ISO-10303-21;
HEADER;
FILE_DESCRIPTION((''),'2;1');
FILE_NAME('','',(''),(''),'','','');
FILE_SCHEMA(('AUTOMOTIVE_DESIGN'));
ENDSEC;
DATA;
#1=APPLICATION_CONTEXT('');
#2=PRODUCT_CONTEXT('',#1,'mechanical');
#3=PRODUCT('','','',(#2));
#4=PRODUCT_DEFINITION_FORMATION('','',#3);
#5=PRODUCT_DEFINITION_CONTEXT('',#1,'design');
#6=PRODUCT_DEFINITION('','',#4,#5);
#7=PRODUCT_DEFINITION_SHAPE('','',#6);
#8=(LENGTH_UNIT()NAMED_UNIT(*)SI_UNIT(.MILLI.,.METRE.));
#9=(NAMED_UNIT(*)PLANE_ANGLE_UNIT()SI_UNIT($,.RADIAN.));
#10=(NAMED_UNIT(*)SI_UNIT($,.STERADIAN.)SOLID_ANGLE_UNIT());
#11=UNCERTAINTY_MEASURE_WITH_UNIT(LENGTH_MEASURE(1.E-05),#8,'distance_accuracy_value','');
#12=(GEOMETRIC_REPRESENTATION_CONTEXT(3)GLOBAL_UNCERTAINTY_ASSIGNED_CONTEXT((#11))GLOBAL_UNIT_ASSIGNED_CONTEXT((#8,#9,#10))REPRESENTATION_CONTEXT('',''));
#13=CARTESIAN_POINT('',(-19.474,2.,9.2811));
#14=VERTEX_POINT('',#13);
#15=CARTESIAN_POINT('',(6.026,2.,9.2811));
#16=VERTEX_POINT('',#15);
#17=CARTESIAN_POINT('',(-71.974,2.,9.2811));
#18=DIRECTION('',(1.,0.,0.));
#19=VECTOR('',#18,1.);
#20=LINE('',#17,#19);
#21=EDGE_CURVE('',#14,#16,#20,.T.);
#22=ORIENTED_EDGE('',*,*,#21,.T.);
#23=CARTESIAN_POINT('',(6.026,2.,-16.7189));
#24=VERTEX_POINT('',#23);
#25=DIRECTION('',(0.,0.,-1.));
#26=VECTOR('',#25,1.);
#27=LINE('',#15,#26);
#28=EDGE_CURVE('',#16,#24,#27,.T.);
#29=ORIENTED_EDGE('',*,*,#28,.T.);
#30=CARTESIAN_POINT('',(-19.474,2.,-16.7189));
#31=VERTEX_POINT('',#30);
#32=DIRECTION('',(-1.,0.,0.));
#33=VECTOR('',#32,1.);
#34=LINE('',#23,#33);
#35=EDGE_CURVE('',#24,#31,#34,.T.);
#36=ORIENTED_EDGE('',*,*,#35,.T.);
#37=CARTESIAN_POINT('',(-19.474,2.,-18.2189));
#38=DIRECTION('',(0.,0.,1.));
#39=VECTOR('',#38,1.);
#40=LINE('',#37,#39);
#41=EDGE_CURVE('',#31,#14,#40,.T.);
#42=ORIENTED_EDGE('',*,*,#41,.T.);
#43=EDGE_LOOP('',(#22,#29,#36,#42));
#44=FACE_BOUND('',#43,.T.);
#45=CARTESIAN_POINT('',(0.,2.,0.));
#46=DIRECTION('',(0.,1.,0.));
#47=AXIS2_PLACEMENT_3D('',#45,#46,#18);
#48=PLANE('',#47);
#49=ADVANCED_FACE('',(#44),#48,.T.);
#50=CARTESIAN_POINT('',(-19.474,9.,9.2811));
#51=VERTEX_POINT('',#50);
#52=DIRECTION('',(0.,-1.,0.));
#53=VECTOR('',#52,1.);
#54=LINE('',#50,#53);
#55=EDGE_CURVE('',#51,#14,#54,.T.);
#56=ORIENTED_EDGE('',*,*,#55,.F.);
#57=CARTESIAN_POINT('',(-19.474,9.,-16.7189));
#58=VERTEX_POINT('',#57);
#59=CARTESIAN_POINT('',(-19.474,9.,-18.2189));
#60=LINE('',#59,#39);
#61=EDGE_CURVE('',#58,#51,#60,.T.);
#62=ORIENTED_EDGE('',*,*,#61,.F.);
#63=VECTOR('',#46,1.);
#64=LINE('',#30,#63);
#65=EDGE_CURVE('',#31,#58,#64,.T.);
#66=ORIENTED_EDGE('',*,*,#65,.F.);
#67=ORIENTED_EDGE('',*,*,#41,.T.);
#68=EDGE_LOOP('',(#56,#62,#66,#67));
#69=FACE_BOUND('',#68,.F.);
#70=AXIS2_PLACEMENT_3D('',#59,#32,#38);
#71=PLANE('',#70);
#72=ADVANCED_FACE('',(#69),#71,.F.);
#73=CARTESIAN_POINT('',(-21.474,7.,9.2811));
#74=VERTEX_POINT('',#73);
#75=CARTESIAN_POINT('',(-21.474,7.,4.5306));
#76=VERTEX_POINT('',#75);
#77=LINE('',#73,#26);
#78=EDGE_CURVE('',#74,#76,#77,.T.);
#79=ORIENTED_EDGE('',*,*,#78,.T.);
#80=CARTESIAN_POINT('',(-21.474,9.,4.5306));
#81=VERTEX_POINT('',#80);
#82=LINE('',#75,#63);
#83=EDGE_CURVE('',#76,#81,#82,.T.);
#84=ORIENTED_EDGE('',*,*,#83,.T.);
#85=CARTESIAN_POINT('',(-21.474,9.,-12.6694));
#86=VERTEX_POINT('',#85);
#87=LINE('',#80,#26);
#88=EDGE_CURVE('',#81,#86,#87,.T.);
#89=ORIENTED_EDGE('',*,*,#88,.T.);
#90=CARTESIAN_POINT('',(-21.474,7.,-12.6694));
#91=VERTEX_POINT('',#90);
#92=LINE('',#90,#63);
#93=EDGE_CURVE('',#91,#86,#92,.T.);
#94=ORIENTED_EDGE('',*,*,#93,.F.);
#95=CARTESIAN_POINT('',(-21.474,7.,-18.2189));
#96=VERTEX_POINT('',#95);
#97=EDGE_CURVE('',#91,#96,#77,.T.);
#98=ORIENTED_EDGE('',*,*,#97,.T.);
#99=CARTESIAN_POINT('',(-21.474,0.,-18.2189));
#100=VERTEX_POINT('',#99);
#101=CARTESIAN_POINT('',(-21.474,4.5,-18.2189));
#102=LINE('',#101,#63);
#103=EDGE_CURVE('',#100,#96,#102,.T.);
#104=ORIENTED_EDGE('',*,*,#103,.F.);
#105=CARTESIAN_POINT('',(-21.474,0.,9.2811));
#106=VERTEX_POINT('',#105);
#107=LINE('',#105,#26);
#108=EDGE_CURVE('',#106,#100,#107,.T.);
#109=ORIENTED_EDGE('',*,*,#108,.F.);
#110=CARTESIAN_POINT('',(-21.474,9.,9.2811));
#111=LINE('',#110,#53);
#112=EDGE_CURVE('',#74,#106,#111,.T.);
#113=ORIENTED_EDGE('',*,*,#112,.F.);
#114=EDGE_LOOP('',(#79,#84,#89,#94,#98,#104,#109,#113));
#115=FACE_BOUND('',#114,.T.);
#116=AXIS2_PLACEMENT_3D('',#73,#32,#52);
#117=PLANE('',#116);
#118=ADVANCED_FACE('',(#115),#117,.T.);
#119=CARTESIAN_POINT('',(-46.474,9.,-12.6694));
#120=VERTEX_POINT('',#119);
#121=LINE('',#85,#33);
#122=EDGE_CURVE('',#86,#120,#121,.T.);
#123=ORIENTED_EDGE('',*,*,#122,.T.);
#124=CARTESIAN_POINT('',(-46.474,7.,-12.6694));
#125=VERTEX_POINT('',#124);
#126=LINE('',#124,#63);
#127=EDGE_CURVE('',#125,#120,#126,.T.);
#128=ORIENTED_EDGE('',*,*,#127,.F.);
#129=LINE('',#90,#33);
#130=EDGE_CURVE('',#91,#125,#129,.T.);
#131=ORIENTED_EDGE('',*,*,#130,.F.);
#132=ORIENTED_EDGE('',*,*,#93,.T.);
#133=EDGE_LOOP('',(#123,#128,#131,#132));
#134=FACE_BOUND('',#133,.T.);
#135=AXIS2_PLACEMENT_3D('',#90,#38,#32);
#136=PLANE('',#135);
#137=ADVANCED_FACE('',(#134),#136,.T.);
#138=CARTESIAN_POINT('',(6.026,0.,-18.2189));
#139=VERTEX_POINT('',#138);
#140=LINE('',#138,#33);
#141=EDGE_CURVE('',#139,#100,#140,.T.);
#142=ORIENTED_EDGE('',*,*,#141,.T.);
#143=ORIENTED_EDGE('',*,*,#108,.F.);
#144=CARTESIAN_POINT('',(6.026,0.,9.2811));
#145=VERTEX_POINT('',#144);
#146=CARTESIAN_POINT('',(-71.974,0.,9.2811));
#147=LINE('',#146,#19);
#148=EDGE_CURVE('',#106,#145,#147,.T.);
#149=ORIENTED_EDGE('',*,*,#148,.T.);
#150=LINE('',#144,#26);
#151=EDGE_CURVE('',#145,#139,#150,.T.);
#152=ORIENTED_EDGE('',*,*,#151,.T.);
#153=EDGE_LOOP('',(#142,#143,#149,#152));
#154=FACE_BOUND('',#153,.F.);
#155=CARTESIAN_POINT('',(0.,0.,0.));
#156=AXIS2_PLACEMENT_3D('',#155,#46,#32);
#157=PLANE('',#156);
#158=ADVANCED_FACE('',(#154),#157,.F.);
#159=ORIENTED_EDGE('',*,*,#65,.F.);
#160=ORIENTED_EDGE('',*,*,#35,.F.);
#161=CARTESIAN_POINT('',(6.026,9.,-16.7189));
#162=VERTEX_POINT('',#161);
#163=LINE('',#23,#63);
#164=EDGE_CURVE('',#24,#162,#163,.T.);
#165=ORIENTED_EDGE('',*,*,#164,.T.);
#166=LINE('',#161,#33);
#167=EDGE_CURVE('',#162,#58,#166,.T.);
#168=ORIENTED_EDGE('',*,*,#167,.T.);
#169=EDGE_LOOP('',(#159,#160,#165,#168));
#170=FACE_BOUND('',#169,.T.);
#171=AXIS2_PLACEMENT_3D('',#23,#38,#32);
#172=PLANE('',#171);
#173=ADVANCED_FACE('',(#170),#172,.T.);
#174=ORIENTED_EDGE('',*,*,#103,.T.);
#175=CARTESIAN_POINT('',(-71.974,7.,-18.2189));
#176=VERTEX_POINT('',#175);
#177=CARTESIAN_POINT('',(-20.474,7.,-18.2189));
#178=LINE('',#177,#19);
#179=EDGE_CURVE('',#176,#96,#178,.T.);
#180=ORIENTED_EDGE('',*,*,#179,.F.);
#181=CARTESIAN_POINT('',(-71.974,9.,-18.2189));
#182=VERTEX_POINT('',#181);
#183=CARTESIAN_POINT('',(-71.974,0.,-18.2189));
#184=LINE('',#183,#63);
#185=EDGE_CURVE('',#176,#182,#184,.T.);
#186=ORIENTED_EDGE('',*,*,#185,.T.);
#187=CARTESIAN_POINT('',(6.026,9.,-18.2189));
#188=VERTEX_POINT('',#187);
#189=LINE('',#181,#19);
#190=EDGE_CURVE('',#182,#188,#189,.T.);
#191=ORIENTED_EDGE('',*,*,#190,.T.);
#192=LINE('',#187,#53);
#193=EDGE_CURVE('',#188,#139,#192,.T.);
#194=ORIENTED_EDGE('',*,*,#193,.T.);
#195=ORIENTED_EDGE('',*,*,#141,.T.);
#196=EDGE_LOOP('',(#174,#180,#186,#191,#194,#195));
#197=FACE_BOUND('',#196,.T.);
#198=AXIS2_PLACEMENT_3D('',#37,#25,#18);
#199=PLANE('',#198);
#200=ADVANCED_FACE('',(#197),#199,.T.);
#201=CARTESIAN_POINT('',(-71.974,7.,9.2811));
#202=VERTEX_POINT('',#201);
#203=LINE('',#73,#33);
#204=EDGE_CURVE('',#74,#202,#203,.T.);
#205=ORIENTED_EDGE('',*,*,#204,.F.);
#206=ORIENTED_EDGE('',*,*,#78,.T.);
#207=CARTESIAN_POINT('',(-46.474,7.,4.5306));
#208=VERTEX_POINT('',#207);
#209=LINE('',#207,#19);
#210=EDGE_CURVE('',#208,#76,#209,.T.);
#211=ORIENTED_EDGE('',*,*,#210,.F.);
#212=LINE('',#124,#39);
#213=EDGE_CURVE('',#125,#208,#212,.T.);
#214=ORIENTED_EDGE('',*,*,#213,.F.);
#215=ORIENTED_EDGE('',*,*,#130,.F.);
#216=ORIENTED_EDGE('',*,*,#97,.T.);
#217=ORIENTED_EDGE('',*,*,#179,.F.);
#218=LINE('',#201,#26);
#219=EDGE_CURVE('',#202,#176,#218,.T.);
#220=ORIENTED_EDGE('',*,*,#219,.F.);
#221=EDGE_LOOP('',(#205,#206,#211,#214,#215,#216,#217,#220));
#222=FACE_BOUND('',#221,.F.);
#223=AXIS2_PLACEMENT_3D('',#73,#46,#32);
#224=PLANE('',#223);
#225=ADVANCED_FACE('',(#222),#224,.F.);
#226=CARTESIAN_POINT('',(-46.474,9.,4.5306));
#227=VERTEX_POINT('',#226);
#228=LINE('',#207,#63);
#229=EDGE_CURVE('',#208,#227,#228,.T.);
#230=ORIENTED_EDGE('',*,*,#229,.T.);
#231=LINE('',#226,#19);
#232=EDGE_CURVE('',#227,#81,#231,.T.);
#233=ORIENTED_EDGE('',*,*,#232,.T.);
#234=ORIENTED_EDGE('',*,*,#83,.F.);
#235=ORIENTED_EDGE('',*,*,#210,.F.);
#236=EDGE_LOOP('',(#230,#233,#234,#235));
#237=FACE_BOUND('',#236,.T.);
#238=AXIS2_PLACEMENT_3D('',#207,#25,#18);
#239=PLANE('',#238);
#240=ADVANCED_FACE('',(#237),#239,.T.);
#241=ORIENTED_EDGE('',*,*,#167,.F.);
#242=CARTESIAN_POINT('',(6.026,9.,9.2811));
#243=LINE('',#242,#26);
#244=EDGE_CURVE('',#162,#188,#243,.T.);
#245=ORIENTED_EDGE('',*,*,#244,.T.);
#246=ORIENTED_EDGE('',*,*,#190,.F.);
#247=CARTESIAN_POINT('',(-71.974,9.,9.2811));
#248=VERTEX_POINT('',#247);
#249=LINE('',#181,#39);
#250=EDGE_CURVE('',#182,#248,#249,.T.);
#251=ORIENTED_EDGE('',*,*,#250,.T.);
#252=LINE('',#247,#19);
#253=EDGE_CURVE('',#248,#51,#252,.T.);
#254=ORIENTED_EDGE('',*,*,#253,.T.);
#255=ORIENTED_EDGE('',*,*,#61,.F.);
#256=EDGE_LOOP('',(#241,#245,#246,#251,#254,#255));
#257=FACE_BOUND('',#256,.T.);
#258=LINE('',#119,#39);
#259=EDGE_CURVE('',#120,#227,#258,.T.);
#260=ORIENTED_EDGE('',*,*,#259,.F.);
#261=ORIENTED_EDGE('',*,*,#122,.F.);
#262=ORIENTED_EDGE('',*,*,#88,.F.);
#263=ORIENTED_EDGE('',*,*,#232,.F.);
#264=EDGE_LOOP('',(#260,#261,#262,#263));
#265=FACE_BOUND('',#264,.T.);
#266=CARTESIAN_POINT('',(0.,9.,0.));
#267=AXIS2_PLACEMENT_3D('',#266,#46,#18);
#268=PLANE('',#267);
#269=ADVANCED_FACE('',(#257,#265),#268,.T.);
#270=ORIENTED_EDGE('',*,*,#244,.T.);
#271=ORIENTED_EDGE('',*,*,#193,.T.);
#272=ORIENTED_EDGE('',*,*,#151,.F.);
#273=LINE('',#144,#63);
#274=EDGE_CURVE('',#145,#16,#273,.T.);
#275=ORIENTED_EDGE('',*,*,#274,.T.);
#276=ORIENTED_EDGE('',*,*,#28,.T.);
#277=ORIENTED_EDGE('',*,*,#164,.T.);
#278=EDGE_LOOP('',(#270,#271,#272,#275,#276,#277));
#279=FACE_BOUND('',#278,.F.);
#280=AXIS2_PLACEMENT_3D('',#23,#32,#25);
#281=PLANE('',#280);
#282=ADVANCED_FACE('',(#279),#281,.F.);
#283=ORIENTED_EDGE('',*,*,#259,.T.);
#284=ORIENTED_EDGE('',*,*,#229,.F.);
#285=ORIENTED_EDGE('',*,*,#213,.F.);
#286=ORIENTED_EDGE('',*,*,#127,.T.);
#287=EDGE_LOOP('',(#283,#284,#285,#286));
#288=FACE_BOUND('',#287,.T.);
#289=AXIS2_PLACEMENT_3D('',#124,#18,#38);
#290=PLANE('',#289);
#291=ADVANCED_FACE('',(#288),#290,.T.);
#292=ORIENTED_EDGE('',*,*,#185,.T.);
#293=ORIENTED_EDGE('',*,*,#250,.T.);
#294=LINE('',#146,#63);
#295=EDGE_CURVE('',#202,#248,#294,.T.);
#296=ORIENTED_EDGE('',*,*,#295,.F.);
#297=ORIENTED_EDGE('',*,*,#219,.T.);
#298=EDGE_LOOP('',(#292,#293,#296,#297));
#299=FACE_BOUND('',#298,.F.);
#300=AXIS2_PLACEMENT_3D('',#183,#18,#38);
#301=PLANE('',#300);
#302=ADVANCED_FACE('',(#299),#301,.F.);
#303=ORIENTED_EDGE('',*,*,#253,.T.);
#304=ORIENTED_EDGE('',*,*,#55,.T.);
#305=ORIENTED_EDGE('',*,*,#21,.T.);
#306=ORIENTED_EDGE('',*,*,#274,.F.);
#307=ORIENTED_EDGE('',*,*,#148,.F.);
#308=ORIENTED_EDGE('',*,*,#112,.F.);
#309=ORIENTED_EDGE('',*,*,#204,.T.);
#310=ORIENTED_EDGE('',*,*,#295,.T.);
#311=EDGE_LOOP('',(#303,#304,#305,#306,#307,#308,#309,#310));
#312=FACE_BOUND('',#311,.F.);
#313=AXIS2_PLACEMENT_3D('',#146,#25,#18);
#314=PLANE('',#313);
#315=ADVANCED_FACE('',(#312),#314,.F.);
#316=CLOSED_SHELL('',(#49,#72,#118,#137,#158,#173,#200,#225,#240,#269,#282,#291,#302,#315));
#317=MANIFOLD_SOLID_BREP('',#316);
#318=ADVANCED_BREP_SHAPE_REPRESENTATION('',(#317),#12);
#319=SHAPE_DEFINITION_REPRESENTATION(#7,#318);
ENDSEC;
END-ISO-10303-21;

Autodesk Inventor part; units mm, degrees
ref_plane "YZ Plane" through (0, 0, 0) normal (1, 0, 0) x (0, 1, 0)
ref_plane "XZ Plane" through (0, 0, 0) normal (0, 1, 0) x (-1, 0, 0)
ref_plane "XY Plane" through (0, 0, 0) normal (0, 0, 1) x (1, 0, 0)
sketch "Sketch1" plane through (0, 0, 0) normal (0, 1, 0) x (-1, 0, 0)
  line L0 (71.974, 9.2811) -> (-6.026, 9.2811)
  line L1 (-6.026, 9.2811) -> (-6.026, -18.2189)
  line L2 (-6.026, -18.2189) -> (71.974, -18.2189)
  line L3 (71.974, -18.2189) -> (71.974, 9.2811)
  point P0 (0, 0)
  dimension "d0" = 27.5
  dimension "d1" = 78
extrude "Extrusion1" add sketch "Sketch1" along normal blind 9
sketch "Sketch2" plane through (0, 9, 0) normal (0, 1, 0) x (1, 0, 0)
  line L0 (6.026, 18.2189) -> (-71.974, 18.2189) projected
  line L1 (-71.974, -9.2811) -> (6.026, -9.2811) projected
  line L2 (6.026, 18.2189) -> (-19.474, 18.2189)
  line L3 (-19.474, 18.2189) -> (-19.474, -9.2811)
  line L4 (-19.474, -9.2811) -> (6.026, -9.2811)
  line L5 (6.026, -9.2811) -> (6.026, 18.2189)
  point P0 (0, 0)
  point P1 (6.026, -9.2811)
  point P2 (-19.474, 18.2189)
  dimension "d4" = 25.5
extrude "Extrusion2" cut sketch "Sketch2" against normal blind 7
sketch "Sketch3" plane through (0, 2, 0) normal (0, 1, 0) x (1, 0, 0)
  point P0 (0, 0)
sketch "Sketch4" plane through (0, 2, 0) normal (0, 1, 0) x (1, 0, 0)
  line L0 (-19.474, -9.2811) -> (-19.474, 18.2189) projected
  line L1 (6.026, -9.2811) -> (6.026, 18.2189) projected
  line L2 (-19.474, 18.2189) -> (6.026, 18.2189)
  line L3 (6.026, 18.2189) -> (6.026, 16.7189)
  line L4 (6.026, 16.7189) -> (-19.474, 16.7189)
  line L5 (-19.474, 16.7189) -> (-19.474, 18.2189)
  point P0 (0, 0)
  point P1 (6.026, 18.2189)
  point P2 (-19.474, 16.7189)
  dimension "d7" = 1.5
extrude "Extrusion3" add sketch "Sketch4" along normal blind 7
sketch "Sketch5" plane through (-71.974, 0, 9.2811) normal (0, 0, 1) x (1, 0, 0)
  line L0 (0, 9) -> (52.5, 9) projected
  line L1 (50.5, 9) -> (50.5, 0)
  line L2 (0, 0) -> (78, 0) projected
  line L3 (52.5, 2) -> (52.5, 9) projected
  line L4 (50.5, 7) -> (0, 7)
  line L5 (52.5, 2) -> (52.5, 9) projected
  line L6 (0, 9) -> (52.5, 9) projected
  line L7 (0, 0) -> (0, 9) projected
  line L8 (0, 0) -> (78, 0) projected
  line L9 (78, 0) -> (78, 2) projected
  line L10 (78, 2) -> (52.5, 2) projected
  point P0 (71.974, 0)
  point P1 (0, 7)
  dimension "d10" = 2
  dimension "d11" = 2
extrude "Extrusion4" cut sketch "Sketch5" against normal blind 44 contours L4 L1 L2 L7
sketch "Sketch8" plane through (-71.974, 7, 9.2811) normal (0, -1, 0) x (1, 0, 0)
  line L0 (50.5, -21.9505) -> (25.5, -21.9505)
  line L1 (25.5, -21.9505) -> (25.5, -4.7505)
  line L2 (25.5, -4.7505) -> (50.5, -4.7505)
  line L3 (50.5, -4.7505) -> (50.5, -21.9505)
  line L4 (50.5, 0) -> (50.5, -27.5) projected
  point P0 (71.974, -9.2811)
  dimension "d20" = 17.2
  dimension "d21" = 25
  dimension "d22" = 0
extrude "Extrusion6" cut sketch "Sketch8" against normal blind 2
ref_plane "Work Plane1" through (-20.474, 2, 9.2811) normal (1, 0, 0) x (0, 0, -1)
sketch "Sketch10" plane through (0, 9, 0) normal (0, 1, 0) x (1, 0, 0)
  point P0 (0, 0)
properties part number "gps _mount"
